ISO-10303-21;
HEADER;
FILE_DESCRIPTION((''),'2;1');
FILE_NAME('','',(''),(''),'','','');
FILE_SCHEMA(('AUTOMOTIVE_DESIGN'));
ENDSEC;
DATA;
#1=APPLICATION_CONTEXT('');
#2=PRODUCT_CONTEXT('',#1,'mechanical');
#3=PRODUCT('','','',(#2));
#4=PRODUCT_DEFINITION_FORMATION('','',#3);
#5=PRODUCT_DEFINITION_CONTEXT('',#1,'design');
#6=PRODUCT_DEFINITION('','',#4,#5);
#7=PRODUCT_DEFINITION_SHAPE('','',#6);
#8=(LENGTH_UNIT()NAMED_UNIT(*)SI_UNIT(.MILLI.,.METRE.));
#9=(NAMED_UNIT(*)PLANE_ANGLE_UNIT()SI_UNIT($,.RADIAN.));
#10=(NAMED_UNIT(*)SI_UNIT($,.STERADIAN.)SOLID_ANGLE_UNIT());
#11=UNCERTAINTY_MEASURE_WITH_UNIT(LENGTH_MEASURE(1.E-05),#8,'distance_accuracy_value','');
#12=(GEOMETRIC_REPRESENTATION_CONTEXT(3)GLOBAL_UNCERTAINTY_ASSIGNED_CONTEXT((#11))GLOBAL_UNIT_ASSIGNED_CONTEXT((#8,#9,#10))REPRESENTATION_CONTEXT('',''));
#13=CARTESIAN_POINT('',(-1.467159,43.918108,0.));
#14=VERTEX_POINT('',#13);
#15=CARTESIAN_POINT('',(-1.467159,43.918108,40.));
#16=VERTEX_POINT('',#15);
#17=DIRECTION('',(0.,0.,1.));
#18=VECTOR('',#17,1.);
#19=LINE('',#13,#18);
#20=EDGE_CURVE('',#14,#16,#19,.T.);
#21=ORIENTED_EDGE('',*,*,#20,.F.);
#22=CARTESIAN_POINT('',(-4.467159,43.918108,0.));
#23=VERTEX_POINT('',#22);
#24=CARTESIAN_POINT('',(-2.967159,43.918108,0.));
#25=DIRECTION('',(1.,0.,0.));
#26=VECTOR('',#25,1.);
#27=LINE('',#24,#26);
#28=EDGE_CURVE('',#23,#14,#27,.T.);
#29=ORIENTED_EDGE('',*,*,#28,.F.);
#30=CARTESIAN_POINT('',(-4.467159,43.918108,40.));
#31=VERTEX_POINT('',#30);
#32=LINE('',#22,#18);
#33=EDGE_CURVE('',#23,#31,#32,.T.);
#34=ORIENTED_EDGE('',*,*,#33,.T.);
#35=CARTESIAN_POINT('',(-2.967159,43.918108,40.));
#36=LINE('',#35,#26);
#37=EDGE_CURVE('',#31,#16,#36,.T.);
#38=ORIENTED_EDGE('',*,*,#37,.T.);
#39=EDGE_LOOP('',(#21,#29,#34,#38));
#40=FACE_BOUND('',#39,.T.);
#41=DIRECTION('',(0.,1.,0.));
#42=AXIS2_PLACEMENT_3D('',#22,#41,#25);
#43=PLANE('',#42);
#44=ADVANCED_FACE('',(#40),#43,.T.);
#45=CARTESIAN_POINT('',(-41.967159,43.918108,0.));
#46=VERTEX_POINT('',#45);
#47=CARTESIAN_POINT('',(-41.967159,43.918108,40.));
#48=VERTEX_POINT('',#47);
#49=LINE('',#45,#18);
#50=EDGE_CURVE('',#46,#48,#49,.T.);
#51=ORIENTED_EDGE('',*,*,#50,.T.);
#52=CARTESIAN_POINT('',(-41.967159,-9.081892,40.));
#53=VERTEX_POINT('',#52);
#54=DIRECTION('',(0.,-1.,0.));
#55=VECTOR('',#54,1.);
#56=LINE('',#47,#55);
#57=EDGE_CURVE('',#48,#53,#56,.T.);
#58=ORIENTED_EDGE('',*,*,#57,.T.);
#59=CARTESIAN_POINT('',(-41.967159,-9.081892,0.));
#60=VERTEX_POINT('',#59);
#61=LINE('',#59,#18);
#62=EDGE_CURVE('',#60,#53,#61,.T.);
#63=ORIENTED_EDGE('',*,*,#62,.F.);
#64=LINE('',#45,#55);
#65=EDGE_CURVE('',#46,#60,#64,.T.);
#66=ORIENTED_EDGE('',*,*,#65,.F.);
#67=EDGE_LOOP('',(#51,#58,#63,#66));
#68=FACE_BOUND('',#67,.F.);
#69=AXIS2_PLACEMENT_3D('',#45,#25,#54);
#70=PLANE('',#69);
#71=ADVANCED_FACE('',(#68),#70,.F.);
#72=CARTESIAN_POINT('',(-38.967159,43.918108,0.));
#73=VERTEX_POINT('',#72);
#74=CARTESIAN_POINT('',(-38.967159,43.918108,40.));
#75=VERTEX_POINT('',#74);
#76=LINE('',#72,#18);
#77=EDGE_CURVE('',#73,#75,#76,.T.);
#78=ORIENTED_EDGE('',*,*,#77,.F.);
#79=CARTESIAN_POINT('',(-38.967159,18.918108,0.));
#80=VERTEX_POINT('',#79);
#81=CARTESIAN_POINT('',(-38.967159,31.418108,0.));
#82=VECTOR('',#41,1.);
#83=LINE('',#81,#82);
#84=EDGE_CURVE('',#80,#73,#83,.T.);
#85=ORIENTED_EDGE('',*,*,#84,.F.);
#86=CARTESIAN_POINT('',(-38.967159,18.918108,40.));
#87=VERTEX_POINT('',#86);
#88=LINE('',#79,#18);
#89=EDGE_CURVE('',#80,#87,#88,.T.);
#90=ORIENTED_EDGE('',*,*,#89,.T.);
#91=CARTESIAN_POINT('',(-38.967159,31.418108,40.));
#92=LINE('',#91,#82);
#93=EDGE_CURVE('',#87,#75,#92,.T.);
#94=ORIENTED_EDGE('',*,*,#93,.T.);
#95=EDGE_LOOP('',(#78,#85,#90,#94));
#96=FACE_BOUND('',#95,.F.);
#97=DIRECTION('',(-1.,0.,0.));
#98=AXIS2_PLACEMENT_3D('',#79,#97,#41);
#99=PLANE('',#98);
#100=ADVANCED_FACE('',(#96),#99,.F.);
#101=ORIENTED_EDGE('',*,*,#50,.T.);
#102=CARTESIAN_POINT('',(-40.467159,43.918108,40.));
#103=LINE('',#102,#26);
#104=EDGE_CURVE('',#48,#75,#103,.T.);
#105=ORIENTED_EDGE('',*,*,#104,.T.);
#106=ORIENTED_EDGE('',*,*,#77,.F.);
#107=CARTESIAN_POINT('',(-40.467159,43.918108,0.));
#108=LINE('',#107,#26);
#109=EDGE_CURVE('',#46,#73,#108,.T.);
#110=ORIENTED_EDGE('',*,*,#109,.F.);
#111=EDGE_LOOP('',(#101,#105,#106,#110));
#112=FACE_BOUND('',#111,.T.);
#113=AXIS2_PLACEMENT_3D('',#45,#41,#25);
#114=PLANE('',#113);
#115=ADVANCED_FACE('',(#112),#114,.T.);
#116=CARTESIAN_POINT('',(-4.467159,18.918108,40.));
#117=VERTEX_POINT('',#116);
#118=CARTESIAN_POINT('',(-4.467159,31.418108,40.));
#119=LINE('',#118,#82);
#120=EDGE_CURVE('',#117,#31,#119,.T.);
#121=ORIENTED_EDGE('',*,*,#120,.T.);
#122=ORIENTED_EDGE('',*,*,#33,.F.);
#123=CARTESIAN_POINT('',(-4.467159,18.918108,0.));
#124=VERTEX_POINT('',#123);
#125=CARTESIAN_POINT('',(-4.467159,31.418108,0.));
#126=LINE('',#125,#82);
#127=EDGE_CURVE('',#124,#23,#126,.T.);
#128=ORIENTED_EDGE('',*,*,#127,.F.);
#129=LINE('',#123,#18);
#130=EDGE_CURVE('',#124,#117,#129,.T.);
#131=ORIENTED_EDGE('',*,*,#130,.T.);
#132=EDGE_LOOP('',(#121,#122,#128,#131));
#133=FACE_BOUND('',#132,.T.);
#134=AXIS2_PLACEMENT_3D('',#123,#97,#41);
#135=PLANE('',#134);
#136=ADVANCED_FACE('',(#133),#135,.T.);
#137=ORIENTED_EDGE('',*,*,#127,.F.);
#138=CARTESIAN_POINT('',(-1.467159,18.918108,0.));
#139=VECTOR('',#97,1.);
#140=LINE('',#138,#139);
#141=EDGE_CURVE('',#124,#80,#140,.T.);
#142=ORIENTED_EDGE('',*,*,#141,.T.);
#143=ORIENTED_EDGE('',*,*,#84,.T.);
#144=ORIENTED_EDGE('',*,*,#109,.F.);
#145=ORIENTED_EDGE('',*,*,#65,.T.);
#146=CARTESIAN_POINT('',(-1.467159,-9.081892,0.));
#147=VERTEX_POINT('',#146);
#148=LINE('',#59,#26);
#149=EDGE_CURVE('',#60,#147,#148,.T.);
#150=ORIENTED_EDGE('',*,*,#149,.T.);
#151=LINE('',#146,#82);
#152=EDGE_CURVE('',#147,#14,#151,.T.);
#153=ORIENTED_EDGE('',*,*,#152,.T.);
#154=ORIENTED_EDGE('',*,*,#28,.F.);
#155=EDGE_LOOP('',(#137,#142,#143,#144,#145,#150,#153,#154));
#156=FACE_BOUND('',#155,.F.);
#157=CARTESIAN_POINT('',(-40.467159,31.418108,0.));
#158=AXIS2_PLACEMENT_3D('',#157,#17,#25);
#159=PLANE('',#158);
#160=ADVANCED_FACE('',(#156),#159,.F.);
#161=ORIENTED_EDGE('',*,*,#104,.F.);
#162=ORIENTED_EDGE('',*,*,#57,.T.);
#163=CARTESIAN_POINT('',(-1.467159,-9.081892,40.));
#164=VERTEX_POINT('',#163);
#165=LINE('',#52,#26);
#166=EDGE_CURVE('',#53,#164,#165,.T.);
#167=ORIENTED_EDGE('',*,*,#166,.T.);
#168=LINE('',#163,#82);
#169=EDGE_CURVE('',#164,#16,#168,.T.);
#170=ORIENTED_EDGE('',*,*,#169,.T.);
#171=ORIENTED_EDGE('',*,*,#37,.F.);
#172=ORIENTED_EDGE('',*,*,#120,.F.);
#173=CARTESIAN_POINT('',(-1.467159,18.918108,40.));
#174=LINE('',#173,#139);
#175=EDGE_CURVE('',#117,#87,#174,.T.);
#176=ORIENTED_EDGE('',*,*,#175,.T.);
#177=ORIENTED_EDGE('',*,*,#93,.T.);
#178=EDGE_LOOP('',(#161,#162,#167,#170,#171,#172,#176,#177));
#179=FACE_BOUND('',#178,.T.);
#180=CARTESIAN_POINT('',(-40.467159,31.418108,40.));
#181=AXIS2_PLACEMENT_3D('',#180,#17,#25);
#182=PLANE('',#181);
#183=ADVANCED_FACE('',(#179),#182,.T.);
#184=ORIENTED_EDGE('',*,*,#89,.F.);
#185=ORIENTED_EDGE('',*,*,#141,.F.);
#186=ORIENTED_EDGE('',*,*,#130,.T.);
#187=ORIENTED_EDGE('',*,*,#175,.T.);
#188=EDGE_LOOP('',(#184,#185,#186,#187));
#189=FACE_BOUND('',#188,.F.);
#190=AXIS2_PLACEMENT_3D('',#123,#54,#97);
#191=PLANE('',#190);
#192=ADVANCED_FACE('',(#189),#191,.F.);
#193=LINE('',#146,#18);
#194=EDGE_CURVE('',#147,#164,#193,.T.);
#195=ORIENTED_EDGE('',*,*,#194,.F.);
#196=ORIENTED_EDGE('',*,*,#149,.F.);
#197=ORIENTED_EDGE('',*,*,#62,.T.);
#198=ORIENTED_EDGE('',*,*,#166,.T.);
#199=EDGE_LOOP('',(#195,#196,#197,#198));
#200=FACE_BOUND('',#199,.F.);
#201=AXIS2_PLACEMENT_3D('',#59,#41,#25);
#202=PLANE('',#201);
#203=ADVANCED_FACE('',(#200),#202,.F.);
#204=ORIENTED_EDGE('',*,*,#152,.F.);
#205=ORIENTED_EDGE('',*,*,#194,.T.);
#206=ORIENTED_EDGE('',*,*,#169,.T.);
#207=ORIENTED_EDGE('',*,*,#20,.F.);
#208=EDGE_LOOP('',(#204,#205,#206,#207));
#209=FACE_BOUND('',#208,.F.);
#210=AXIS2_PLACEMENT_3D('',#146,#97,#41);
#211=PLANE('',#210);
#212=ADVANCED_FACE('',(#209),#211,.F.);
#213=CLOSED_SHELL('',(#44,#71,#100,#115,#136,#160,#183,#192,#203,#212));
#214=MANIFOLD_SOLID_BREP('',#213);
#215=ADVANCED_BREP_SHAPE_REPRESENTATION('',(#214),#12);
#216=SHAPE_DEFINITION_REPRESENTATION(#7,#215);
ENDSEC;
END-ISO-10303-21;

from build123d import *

# Parameters (mm, degrees)
F0_W     = 3
F0_H     = 25
F1_DEPTH = 40


with BuildPart() as f1:
    # F0 (on Top) → F1 (new body)
    with BuildSketch(Plane.XY):
        with Locations((-40.467159, 31.418108)):
            Rectangle(F0_W, F0_H)
        Polygon((-38.967159, 18.918108), (-41.967159, 18.918108), (-41.967159, -9.081892), (-1.467159, -9.081892), (-1.467159, 18.918108), (-4.467159, 18.918108), align=None)
        with Locations((-2.967159, 31.418108)):
            Rectangle(F0_W, F0_H)
    extrude(amount=F1_DEPTH)


solid = f1.part
